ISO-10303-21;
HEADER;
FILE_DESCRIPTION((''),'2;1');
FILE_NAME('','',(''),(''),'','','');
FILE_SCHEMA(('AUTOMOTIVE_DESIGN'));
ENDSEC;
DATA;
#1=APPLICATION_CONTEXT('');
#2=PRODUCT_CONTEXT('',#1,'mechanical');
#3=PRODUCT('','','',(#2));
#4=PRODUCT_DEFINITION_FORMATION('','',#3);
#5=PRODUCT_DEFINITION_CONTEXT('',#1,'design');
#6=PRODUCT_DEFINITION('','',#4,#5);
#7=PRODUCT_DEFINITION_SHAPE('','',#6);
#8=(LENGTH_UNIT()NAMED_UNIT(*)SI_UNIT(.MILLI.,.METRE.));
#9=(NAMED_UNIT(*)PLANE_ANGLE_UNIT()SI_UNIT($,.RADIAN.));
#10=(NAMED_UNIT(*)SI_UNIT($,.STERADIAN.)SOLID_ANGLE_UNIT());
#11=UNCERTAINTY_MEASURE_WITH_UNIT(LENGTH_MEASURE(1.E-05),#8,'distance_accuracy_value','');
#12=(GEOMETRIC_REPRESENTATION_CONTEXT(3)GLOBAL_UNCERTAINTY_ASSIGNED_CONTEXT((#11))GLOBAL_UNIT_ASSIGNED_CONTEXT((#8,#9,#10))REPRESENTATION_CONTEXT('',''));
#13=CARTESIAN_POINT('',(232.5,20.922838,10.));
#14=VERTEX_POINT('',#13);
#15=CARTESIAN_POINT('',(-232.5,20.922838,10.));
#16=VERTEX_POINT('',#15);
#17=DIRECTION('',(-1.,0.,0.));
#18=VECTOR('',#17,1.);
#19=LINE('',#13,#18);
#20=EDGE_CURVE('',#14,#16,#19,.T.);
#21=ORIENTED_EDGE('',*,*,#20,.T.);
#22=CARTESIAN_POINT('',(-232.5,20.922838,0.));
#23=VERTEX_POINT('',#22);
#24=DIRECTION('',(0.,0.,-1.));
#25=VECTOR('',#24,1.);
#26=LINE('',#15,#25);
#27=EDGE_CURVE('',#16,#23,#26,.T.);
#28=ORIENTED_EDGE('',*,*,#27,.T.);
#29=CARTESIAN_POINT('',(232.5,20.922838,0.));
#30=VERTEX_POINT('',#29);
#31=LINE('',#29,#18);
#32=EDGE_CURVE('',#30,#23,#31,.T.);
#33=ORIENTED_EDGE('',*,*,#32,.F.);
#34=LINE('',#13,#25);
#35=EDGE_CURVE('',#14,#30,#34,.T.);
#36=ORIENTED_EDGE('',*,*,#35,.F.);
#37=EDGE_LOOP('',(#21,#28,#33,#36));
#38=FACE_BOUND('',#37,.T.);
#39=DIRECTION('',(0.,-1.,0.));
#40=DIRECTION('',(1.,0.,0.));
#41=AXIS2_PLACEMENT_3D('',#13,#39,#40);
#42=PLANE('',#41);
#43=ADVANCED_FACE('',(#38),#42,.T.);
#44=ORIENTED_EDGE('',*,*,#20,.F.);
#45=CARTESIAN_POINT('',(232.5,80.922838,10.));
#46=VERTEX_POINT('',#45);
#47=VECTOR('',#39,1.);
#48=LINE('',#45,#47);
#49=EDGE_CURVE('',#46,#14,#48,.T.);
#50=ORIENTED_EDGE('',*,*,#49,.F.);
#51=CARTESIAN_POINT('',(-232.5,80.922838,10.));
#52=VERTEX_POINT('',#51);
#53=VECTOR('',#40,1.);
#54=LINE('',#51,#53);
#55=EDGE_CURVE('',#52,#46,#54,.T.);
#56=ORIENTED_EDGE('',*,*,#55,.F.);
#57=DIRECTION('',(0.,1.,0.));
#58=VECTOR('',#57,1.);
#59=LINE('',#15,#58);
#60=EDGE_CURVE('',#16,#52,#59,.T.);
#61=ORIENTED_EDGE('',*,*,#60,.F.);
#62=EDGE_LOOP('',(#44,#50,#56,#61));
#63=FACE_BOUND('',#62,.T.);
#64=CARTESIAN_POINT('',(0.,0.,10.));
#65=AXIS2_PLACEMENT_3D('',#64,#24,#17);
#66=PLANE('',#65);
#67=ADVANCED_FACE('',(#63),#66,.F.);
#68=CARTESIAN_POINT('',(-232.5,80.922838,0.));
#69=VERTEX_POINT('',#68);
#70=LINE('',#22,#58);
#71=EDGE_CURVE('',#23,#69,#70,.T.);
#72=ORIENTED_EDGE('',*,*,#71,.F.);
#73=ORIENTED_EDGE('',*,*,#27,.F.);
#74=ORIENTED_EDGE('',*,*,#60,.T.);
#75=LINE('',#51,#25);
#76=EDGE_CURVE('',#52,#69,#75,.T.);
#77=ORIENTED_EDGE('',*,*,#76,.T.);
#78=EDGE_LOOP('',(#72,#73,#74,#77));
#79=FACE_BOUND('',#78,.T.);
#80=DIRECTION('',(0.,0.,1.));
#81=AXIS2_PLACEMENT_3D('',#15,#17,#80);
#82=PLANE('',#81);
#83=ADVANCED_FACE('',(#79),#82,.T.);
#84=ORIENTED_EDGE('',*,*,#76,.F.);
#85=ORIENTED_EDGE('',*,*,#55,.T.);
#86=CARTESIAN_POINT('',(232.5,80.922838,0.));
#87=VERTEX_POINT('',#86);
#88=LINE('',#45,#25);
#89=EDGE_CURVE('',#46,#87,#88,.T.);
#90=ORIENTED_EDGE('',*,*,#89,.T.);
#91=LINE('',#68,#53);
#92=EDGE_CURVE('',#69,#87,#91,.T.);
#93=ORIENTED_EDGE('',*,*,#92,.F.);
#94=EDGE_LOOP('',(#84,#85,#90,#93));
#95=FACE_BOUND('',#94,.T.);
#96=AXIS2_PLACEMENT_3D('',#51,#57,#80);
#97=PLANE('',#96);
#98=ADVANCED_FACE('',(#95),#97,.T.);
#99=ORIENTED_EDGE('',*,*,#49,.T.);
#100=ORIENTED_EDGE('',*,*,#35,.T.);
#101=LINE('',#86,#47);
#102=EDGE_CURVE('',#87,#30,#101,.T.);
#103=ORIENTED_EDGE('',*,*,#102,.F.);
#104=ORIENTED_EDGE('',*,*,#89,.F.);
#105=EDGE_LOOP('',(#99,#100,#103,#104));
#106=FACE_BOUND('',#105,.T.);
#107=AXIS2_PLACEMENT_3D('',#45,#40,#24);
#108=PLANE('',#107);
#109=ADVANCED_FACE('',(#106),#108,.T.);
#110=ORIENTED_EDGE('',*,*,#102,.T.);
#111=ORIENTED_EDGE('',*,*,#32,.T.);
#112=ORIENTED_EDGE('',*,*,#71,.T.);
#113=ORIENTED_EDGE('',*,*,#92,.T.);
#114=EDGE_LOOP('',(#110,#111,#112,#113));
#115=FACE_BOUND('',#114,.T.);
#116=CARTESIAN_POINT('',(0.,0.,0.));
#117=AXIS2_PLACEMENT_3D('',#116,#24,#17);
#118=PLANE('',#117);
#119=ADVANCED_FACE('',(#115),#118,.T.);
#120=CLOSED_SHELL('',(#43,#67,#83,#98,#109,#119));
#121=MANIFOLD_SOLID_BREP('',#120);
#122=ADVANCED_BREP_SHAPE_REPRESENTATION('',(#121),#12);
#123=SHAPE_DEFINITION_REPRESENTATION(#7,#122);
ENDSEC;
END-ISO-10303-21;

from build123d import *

# Parameters (mm, degrees)
IZIM2_W                     = 465
IZIM2_H                     = 60
Y_KSEKLIK_EKSTR_ZYON1_DEPTH = 10


with BuildPart() as part:
    # Çizim2 → Yükseklik-Ekstrüzyon1 (new body)
    with BuildSketch(Plane.XY):
        with Locations((0, 50.922838117)):
            Rectangle(IZIM2_W, IZIM2_H)
    extrude(amount=Y_KSEKLIK_EKSTR_ZYON1_DEPTH)


solid = part.part
